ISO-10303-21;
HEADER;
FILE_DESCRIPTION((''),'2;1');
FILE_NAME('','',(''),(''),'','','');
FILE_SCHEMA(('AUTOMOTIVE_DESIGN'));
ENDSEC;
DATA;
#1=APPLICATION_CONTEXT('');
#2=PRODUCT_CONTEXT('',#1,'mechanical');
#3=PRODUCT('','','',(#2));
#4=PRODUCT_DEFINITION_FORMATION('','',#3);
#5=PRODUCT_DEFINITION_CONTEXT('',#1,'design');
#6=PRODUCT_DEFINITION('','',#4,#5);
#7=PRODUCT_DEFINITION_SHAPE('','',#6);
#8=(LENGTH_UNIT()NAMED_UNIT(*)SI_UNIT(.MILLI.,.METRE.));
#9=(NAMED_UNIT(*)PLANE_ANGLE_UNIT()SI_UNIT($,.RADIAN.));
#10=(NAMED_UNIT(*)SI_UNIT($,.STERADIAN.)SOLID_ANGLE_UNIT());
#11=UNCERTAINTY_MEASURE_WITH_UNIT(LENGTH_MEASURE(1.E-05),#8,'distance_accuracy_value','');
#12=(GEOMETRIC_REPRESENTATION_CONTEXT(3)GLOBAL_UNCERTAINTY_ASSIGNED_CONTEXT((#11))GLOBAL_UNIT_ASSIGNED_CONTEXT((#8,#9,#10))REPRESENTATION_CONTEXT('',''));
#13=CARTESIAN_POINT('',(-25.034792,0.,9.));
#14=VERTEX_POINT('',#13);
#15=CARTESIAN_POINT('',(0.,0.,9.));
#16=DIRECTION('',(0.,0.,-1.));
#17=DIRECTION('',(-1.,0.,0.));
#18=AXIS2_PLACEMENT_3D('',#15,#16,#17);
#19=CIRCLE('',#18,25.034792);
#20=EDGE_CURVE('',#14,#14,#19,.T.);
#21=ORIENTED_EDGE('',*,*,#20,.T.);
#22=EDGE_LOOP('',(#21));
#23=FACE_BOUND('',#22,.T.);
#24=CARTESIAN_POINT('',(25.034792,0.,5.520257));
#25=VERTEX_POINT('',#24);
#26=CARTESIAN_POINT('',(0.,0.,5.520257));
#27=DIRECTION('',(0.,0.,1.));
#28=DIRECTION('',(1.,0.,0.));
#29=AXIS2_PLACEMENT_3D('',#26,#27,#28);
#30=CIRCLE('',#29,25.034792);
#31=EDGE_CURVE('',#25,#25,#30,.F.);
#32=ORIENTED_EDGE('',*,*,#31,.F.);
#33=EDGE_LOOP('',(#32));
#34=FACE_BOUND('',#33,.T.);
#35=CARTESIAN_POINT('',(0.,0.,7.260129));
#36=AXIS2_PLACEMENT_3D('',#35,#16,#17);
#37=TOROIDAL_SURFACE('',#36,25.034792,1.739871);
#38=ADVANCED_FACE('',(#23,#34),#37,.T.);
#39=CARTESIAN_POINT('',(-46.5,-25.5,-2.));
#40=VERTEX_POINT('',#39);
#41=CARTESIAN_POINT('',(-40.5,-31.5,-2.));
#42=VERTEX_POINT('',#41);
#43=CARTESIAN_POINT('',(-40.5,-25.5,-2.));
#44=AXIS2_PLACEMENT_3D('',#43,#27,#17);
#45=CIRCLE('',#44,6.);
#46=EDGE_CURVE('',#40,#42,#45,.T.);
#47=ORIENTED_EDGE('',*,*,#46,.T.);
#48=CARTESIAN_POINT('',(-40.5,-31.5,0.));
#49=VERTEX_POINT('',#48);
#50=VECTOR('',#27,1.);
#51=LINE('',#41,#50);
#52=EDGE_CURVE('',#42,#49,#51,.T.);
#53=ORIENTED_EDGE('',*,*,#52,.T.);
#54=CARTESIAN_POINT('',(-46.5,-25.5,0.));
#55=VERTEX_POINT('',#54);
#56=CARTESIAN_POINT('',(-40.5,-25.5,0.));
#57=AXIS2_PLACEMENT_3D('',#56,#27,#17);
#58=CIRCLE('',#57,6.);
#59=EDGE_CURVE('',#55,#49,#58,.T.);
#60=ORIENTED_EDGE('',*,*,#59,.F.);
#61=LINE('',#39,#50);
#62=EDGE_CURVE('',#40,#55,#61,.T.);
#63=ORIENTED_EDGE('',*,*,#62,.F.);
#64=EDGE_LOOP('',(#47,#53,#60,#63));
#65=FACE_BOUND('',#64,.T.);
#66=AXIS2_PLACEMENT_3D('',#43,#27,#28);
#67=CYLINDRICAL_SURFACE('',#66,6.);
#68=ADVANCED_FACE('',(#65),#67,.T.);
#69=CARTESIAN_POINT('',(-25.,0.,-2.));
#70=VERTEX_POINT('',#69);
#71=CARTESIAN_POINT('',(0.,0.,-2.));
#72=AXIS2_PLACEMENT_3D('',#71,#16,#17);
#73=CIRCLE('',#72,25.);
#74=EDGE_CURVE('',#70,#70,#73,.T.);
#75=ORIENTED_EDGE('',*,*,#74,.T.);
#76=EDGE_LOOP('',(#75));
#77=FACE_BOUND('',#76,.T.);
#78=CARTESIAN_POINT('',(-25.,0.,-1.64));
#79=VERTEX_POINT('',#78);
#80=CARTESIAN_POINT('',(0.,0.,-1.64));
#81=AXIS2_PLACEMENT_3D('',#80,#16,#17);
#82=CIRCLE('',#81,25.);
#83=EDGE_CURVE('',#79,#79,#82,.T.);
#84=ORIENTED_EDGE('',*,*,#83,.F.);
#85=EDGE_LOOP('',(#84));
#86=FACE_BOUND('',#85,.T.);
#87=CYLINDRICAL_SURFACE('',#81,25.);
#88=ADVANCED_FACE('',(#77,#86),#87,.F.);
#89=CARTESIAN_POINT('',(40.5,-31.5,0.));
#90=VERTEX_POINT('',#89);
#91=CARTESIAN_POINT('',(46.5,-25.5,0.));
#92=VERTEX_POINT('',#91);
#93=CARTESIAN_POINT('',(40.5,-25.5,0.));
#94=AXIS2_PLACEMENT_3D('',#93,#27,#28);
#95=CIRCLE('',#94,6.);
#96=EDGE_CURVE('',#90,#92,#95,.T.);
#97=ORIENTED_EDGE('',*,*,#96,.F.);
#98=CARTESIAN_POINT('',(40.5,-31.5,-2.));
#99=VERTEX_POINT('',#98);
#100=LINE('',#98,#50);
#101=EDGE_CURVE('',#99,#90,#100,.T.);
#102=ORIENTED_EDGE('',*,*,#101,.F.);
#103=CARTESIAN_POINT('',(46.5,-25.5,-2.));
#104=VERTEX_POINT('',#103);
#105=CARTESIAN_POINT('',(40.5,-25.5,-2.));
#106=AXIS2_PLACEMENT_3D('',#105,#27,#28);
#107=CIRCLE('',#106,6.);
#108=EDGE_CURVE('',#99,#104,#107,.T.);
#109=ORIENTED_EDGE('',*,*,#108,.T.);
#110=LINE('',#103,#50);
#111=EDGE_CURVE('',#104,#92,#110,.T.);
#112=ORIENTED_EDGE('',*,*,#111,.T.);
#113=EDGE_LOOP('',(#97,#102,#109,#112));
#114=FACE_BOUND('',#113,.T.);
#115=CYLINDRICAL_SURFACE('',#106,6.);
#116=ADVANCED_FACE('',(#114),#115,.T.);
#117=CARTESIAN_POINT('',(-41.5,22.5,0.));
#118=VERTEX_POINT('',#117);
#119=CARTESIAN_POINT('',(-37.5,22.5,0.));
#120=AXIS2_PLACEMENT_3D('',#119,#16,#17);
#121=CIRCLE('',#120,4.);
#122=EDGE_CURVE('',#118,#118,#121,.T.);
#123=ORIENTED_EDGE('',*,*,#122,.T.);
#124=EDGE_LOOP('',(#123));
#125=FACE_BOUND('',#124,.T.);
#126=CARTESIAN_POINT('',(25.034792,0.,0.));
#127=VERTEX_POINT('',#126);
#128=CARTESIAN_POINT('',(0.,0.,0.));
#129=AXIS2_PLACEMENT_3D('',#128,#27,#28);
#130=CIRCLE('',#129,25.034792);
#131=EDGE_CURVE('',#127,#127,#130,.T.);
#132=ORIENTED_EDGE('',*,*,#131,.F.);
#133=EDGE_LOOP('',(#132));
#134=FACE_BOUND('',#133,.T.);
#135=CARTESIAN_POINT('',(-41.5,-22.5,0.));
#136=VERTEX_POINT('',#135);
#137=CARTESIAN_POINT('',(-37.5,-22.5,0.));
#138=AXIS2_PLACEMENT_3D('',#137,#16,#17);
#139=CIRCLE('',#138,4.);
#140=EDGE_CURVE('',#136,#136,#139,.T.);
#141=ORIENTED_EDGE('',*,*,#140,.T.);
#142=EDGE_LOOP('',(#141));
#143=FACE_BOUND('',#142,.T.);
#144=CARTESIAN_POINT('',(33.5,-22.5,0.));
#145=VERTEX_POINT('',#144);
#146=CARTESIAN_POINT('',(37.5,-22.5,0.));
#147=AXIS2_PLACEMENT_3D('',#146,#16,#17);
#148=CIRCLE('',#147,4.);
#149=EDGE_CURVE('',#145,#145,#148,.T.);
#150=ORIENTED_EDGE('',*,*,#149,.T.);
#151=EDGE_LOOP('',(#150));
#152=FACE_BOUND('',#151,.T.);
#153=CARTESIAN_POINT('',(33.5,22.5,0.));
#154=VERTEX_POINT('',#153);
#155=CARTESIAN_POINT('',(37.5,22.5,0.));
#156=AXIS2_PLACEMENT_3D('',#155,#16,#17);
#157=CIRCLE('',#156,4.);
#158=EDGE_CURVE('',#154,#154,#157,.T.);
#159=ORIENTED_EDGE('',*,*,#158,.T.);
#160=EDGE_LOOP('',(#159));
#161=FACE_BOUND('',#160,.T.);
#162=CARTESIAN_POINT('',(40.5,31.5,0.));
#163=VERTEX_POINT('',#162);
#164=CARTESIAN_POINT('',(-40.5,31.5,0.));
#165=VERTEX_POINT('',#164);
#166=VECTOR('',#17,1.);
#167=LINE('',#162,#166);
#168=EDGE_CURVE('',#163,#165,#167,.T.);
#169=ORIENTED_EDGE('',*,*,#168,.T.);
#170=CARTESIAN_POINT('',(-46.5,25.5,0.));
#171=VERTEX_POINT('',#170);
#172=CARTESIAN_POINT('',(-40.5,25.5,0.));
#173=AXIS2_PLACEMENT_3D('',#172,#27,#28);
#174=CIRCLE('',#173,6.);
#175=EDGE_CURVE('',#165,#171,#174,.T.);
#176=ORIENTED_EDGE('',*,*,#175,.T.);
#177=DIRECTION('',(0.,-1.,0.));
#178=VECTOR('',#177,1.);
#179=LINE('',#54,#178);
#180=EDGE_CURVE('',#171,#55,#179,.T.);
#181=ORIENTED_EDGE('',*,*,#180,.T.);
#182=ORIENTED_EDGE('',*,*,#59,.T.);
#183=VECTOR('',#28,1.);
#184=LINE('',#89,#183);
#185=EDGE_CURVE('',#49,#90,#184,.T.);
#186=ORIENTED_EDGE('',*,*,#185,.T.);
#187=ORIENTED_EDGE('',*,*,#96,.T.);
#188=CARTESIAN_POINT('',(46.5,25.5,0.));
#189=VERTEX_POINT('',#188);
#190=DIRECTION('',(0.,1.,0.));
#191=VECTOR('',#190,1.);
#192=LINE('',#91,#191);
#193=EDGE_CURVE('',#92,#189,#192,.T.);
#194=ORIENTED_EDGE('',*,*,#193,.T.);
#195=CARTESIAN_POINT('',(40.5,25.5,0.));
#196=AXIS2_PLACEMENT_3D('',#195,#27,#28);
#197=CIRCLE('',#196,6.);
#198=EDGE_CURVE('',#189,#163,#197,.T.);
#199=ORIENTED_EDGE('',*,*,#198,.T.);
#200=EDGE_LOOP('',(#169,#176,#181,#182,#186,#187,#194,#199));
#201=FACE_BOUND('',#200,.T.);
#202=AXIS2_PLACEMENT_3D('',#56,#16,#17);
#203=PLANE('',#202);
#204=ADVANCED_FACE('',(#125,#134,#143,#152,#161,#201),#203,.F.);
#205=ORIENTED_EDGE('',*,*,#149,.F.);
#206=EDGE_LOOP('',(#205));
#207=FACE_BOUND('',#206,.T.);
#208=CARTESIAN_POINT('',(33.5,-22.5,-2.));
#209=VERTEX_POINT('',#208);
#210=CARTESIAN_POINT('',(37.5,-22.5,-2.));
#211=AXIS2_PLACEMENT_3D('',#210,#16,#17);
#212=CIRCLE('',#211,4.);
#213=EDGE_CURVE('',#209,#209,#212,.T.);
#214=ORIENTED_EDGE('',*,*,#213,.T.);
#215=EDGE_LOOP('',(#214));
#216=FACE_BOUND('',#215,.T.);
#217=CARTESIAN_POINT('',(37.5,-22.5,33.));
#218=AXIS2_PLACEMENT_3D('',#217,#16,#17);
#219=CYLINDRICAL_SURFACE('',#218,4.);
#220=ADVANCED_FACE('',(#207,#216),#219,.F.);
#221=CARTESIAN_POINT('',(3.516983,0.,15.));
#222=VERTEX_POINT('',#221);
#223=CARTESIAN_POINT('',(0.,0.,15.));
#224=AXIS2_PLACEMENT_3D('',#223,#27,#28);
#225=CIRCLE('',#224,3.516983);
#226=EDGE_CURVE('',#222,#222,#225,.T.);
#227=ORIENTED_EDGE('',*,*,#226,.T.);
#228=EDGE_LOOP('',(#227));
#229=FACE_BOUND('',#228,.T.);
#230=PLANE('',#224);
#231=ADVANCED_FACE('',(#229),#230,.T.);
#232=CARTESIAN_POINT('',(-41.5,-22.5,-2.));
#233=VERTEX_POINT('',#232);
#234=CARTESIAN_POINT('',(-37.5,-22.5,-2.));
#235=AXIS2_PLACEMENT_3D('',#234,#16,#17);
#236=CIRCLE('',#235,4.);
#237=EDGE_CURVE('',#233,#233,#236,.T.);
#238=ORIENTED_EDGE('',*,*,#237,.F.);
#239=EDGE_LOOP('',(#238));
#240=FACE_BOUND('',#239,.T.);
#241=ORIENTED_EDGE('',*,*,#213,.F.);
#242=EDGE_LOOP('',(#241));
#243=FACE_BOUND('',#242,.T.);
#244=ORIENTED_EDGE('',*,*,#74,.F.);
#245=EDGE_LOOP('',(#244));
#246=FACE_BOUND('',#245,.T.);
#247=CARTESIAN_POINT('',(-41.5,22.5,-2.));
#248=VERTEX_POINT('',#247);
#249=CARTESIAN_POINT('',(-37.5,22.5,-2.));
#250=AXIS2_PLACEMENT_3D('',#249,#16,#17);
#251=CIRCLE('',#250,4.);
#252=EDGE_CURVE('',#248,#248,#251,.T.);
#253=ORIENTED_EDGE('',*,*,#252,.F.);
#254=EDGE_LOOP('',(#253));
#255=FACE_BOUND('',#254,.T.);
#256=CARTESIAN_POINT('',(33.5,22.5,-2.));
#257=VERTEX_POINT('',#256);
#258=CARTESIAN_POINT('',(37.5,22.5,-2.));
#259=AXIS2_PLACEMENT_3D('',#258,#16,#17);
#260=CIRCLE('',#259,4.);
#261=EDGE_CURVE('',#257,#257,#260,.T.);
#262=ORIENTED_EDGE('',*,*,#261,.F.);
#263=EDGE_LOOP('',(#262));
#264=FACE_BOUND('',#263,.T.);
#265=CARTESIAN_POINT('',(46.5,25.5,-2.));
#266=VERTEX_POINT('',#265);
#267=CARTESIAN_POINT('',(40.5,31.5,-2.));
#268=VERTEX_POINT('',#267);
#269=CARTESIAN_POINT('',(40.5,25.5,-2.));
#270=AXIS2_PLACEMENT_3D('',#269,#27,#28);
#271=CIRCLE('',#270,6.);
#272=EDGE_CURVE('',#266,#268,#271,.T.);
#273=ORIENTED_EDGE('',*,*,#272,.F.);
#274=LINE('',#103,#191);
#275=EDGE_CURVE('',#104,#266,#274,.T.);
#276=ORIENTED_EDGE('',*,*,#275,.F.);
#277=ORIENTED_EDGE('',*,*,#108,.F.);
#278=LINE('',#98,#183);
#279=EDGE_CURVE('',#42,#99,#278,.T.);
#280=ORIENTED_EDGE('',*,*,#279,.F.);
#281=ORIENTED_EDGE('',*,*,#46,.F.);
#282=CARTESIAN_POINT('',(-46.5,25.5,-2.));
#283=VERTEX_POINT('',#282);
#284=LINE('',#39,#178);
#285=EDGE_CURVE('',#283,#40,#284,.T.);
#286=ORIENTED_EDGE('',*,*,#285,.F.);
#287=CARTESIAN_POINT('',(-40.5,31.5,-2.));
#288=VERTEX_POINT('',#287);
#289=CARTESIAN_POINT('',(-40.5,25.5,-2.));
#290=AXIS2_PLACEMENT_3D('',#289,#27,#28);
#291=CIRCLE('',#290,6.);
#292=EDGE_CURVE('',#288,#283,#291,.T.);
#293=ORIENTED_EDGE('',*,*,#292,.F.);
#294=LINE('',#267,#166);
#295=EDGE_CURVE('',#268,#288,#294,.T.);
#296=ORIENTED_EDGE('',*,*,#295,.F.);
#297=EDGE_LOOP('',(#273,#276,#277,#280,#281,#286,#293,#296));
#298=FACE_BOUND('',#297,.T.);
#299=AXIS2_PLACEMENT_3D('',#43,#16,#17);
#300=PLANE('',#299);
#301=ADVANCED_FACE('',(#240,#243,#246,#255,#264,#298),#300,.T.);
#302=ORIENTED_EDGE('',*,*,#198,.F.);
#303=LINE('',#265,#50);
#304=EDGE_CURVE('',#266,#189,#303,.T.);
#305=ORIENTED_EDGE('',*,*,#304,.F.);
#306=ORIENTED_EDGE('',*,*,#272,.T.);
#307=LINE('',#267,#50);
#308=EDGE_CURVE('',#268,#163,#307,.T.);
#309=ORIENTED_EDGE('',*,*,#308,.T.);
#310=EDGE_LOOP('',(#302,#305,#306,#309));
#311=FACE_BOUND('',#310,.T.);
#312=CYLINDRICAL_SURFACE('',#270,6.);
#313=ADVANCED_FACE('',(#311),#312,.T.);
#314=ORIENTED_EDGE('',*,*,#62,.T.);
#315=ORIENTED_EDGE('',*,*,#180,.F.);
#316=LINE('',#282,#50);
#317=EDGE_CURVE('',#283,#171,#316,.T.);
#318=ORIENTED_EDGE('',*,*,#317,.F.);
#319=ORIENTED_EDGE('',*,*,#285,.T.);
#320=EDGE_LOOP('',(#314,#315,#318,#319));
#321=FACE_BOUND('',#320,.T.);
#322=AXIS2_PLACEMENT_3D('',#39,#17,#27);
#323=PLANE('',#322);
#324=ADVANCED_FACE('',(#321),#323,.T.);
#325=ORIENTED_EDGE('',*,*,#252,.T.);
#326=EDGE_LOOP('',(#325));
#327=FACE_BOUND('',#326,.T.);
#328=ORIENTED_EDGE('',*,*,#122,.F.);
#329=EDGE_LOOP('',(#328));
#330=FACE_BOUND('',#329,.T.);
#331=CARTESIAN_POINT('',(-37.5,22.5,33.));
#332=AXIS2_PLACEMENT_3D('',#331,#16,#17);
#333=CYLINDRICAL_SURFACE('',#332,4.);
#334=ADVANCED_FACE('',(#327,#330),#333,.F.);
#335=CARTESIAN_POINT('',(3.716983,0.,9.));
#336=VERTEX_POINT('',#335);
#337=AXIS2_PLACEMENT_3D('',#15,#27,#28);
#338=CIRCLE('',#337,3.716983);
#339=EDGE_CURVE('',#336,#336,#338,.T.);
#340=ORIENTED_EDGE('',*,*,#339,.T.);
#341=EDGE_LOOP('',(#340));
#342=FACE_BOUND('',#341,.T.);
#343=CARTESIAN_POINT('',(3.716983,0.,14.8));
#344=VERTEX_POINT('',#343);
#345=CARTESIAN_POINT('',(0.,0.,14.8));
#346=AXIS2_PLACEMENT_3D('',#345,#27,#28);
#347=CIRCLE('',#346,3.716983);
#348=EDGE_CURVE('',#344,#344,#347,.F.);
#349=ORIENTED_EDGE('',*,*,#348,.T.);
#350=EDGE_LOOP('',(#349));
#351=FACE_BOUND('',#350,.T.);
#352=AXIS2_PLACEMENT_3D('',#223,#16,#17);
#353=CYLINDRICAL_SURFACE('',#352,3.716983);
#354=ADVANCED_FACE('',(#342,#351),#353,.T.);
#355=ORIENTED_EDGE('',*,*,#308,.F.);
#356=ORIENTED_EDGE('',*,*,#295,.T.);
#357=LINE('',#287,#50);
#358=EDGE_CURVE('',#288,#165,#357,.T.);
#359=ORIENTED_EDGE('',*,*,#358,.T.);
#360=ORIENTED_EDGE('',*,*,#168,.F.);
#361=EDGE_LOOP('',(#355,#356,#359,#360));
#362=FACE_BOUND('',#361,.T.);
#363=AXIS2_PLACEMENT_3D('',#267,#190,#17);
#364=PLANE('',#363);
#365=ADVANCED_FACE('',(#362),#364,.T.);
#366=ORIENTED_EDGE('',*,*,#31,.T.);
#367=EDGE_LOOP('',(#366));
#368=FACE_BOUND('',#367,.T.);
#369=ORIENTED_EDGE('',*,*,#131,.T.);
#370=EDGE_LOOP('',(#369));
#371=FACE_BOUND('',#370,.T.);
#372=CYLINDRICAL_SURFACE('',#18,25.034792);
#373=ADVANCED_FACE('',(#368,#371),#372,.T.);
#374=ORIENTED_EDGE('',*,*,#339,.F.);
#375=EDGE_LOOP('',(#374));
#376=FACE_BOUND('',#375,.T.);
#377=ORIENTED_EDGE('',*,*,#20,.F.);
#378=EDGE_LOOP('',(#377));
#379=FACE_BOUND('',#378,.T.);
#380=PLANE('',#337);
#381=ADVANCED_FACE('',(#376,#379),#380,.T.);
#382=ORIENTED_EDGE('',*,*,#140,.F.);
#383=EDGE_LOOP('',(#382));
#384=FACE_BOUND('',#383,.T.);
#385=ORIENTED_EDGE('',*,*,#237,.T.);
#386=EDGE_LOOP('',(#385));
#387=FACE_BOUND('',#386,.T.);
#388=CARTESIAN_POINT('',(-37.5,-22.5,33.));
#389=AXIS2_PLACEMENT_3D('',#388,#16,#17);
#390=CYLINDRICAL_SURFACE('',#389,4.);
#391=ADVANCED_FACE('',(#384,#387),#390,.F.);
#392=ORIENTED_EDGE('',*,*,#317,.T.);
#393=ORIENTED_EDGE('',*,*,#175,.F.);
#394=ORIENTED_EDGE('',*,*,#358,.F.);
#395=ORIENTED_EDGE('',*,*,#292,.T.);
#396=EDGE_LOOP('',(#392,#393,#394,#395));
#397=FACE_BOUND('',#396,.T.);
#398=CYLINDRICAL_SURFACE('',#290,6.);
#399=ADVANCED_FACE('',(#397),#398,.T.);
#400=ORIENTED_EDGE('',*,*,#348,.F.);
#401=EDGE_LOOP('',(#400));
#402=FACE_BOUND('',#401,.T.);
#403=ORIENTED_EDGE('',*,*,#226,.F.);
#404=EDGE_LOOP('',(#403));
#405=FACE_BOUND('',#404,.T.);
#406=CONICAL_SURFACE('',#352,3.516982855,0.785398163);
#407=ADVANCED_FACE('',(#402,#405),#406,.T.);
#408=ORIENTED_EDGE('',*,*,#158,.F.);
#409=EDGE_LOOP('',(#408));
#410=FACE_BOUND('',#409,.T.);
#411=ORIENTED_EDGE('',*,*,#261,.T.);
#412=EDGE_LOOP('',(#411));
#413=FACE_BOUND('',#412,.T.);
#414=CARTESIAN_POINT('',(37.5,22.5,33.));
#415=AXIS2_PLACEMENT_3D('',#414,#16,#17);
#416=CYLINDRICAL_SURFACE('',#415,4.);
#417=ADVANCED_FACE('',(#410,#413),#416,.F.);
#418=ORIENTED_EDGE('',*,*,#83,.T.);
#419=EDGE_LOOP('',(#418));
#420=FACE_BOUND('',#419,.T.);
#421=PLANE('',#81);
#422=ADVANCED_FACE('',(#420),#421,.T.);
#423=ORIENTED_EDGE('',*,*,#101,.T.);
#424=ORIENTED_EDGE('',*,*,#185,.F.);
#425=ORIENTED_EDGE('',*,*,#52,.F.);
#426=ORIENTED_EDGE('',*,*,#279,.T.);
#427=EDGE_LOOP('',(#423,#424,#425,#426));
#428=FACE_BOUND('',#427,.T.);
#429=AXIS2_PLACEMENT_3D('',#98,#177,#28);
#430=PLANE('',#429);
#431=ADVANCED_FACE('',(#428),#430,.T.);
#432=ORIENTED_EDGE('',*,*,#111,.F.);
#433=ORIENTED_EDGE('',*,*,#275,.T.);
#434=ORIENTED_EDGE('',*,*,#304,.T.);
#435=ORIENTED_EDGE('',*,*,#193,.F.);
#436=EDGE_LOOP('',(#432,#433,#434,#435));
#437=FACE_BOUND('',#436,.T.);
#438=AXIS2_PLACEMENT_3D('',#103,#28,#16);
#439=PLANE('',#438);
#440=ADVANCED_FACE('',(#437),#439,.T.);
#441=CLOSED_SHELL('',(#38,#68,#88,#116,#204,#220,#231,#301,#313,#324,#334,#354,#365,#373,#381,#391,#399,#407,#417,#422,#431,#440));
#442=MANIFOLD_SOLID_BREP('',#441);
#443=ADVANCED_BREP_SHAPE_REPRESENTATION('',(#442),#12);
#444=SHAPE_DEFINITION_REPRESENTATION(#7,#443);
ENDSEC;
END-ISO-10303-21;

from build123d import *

# Parameters (mm, degrees)
EXTRUDE_1_DEPTH     = 2
SKETCH_4_R          = 25.034791669
EXTRUDE_2_DEPTH     = 9
SKETCH_5_R          = 1.739871364
SKETCH_7_R          = 3.716982855
EXTRUDE_3_DEPTH     = 6
CHAMFER_1_SIZE      = 0.2
SKETCH_9_R          = 25
CUT_EXTRUDE_2_DEPTH = 0.36
EXTRUDE_4_DEPTH     = 2
SKETCH_13_R         = 4
CUT_EXTRUDE_3_DEPTH = 35


with BuildPart() as part:
    # 草图1 → 凸台-拉伸1 (new body)
    with BuildSketch(Plane.XY):
        with BuildLine():
            Line((40.5, -31.5), (-40.5, -31.5))
            ThreePointArc((-40.5, -31.5), (-44.742640687, -29.742640687), (-46.5, -25.5))
            Line((-46.5, -25.5), (-46.5, 25.5))
            ThreePointArc((-46.5, 25.5), (-44.742640687, 29.742640687), (-40.5, 31.5))
            Line((-40.5, 31.5), (40.5, 31.5))
            ThreePointArc((40.5, 31.5), (44.742640687, 29.742640687), (46.5, 25.5))
            Line((46.5, 25.5), (46.5, -25.5))
            ThreePointArc((46.5, -25.5), (44.742640687, -29.742640687), (40.5, -31.5))
        make_face()
        with BuildLine():
            Line((-43.156854249, 22.5), (-37.5, 28.156854249))
            ThreePointArc((-37.5, 28.156854249), (-31.843145751, 28.156854249), (-31.843145751, 22.5))
            Line((-31.843145751, 22.5), (-37.5, 16.843145751))
            ThreePointArc((-37.5, 16.843145751), (-43.156854249, 16.843145751), (-43.156854249, 22.5))
        make_face(mode=Mode.SUBTRACT)
        with BuildLine():
            Line((37.5, 28.156854249), (43.156854249, 22.5))
            ThreePointArc((43.156854249, 22.5), (43.156854249, 16.843145751), (37.5, 16.843145751))
            Line((37.5, 16.843145751), (31.843145751, 22.5))
            ThreePointArc((31.843145751, 22.5), (31.843145751, 28.156854249), (37.5, 28.156854249))
        make_face(mode=Mode.SUBTRACT)
        with BuildLine():
            Line((31.843145751, -22.5), (37.5, -16.843145751))
            ThreePointArc((37.5, -16.843145751), (43.156854249, -16.843145751), (43.156854249, -22.5))
            Line((43.156854249, -22.5), (37.5, -28.156854249))
            ThreePointArc((37.5, -28.156854249), (31.843145751, -28.156854249), (31.843145751, -22.5))
        make_face(mode=Mode.SUBTRACT)
        with BuildLine():
            Line((-37.5, -28.156854249), (-43.156854249, -22.5))
            ThreePointArc((-43.156854249, -22.5), (-43.156854249, -16.843145751), (-37.5, -16.843145751))
            Line((-37.5, -16.843145751), (-31.843145751, -22.5))
            ThreePointArc((-31.843145751, -22.5), (-31.843145751, -28.156854249), (-37.5, -28.156854249))
        make_face(mode=Mode.SUBTRACT)
    extrude(amount=-EXTRUDE_1_DEPTH)

    # 草图4 → 凸台-拉伸2 (add)
    with BuildSketch(Plane.XY):
        Circle(SKETCH_4_R)
    extrude(amount=EXTRUDE_2_DEPTH)

    # 草图5 → 旋转2 (revolve)
    with BuildSketch(Plane(origin=(0, 0, 0), x_dir=(1, 0, 0), z_dir=(0, 1, 0))):
        with Locations((-25.034791669, -7.260128636)):
            Circle(SKETCH_5_R)
    revolve(axis=Axis((0, 0, 0), (0, 0, 1)))

    # 草图7 → 凸台-拉伸3 (add)
    with BuildSketch(Plane.XY.offset(9)):
        Circle(SKETCH_7_R)
    extrude(amount=EXTRUDE_3_DEPTH)

    # 倒角1
    chamfer_1_edges = [part.edges().sort_by_distance(p)[0] for p in [
        (-3.716982855, 0, 15),
    ]]
    chamfer(chamfer_1_edges, length=CHAMFER_1_SIZE)

    # 草图9 → 切除-拉伸2 (cut)
    with BuildSketch(Plane(origin=(0, 0, -2), x_dir=(-1, 0, 0), z_dir=(0, 0, -1))):
        Circle(SKETCH_9_R)
    extrude(amount=-CUT_EXTRUDE_2_DEPTH, mode=Mode.SUBTRACT)

    # 草图12 → 凸台-拉伸4 (add)
    with BuildSketch(Plane(origin=(0, 0, -2), x_dir=(-1, 0, 0), z_dir=(0, 0, -1))):
        with BuildLine():
            Line((37.5, 28.156854249), (43.156854249, 22.5))
            ThreePointArc((43.156854249, 22.5), (43.156854249, 16.843145751), (37.5, 16.843145751))
            Line((37.5, 16.843145751), (31.843145751, 22.5))
            ThreePointArc((31.843145751, 22.5), (31.843145751, 28.156854249), (37.5, 28.156854249))
        make_face()
        with BuildLine():
            Line((43.156854249, -22.5), (37.5, -28.156854249))
            ThreePointArc((37.5, -28.156854249), (31.843145751, -28.156854249), (31.843145751, -22.5))
            Line((31.843145751, -22.5), (37.5, -16.843145751))
            ThreePointArc((37.5, -16.843145751), (43.156854249, -16.843145751), (43.156854249, -22.5))
        make_face()
        with BuildLine():
            Line((-37.5, -28.156854249), (-43.156854249, -22.5))
            ThreePointArc((-43.156854249, -22.5), (-43.156854249, -16.843145751), (-37.5, -16.843145751))
            Line((-37.5, -16.843145751), (-31.843145751, -22.5))
            ThreePointArc((-31.843145751, -22.5), (-31.843145751, -28.156854249), (-37.5, -28.156854249))
        make_face()
        with BuildLine():
            Line((-43.156854249, 22.5), (-37.5, 28.156854249))
            ThreePointArc((-37.5, 28.156854249), (-31.843145751, 28.156854249), (-31.843145751, 22.5))
            Line((-31.843145751, 22.5), (-37.5, 16.843145751))
            ThreePointArc((-37.5, 16.843145751), (-43.156854249, 16.843145751), (-43.156854249, 22.5))
        make_face()
    extrude(amount=-EXTRUDE_4_DEPTH)

    # 草图13 → 切除-拉伸3 (cut)
    with BuildSketch(Plane(origin=(0, 0, -2), x_dir=(-1, 0, 0), z_dir=(0, 0, -1))):
        with Locations((-37.5, 22.5)):
            Circle(SKETCH_13_R)
        with Locations((-37.5, -22.5)):
            Circle(SKETCH_13_R)
        with Locations((37.5, -22.5)):
            Circle(SKETCH_13_R)
        with Locations((37.5, 22.5)):
            Circle(SKETCH_13_R)
    extrude(amount=-CUT_EXTRUDE_3_DEPTH, mode=Mode.SUBTRACT)


solid = part.part
